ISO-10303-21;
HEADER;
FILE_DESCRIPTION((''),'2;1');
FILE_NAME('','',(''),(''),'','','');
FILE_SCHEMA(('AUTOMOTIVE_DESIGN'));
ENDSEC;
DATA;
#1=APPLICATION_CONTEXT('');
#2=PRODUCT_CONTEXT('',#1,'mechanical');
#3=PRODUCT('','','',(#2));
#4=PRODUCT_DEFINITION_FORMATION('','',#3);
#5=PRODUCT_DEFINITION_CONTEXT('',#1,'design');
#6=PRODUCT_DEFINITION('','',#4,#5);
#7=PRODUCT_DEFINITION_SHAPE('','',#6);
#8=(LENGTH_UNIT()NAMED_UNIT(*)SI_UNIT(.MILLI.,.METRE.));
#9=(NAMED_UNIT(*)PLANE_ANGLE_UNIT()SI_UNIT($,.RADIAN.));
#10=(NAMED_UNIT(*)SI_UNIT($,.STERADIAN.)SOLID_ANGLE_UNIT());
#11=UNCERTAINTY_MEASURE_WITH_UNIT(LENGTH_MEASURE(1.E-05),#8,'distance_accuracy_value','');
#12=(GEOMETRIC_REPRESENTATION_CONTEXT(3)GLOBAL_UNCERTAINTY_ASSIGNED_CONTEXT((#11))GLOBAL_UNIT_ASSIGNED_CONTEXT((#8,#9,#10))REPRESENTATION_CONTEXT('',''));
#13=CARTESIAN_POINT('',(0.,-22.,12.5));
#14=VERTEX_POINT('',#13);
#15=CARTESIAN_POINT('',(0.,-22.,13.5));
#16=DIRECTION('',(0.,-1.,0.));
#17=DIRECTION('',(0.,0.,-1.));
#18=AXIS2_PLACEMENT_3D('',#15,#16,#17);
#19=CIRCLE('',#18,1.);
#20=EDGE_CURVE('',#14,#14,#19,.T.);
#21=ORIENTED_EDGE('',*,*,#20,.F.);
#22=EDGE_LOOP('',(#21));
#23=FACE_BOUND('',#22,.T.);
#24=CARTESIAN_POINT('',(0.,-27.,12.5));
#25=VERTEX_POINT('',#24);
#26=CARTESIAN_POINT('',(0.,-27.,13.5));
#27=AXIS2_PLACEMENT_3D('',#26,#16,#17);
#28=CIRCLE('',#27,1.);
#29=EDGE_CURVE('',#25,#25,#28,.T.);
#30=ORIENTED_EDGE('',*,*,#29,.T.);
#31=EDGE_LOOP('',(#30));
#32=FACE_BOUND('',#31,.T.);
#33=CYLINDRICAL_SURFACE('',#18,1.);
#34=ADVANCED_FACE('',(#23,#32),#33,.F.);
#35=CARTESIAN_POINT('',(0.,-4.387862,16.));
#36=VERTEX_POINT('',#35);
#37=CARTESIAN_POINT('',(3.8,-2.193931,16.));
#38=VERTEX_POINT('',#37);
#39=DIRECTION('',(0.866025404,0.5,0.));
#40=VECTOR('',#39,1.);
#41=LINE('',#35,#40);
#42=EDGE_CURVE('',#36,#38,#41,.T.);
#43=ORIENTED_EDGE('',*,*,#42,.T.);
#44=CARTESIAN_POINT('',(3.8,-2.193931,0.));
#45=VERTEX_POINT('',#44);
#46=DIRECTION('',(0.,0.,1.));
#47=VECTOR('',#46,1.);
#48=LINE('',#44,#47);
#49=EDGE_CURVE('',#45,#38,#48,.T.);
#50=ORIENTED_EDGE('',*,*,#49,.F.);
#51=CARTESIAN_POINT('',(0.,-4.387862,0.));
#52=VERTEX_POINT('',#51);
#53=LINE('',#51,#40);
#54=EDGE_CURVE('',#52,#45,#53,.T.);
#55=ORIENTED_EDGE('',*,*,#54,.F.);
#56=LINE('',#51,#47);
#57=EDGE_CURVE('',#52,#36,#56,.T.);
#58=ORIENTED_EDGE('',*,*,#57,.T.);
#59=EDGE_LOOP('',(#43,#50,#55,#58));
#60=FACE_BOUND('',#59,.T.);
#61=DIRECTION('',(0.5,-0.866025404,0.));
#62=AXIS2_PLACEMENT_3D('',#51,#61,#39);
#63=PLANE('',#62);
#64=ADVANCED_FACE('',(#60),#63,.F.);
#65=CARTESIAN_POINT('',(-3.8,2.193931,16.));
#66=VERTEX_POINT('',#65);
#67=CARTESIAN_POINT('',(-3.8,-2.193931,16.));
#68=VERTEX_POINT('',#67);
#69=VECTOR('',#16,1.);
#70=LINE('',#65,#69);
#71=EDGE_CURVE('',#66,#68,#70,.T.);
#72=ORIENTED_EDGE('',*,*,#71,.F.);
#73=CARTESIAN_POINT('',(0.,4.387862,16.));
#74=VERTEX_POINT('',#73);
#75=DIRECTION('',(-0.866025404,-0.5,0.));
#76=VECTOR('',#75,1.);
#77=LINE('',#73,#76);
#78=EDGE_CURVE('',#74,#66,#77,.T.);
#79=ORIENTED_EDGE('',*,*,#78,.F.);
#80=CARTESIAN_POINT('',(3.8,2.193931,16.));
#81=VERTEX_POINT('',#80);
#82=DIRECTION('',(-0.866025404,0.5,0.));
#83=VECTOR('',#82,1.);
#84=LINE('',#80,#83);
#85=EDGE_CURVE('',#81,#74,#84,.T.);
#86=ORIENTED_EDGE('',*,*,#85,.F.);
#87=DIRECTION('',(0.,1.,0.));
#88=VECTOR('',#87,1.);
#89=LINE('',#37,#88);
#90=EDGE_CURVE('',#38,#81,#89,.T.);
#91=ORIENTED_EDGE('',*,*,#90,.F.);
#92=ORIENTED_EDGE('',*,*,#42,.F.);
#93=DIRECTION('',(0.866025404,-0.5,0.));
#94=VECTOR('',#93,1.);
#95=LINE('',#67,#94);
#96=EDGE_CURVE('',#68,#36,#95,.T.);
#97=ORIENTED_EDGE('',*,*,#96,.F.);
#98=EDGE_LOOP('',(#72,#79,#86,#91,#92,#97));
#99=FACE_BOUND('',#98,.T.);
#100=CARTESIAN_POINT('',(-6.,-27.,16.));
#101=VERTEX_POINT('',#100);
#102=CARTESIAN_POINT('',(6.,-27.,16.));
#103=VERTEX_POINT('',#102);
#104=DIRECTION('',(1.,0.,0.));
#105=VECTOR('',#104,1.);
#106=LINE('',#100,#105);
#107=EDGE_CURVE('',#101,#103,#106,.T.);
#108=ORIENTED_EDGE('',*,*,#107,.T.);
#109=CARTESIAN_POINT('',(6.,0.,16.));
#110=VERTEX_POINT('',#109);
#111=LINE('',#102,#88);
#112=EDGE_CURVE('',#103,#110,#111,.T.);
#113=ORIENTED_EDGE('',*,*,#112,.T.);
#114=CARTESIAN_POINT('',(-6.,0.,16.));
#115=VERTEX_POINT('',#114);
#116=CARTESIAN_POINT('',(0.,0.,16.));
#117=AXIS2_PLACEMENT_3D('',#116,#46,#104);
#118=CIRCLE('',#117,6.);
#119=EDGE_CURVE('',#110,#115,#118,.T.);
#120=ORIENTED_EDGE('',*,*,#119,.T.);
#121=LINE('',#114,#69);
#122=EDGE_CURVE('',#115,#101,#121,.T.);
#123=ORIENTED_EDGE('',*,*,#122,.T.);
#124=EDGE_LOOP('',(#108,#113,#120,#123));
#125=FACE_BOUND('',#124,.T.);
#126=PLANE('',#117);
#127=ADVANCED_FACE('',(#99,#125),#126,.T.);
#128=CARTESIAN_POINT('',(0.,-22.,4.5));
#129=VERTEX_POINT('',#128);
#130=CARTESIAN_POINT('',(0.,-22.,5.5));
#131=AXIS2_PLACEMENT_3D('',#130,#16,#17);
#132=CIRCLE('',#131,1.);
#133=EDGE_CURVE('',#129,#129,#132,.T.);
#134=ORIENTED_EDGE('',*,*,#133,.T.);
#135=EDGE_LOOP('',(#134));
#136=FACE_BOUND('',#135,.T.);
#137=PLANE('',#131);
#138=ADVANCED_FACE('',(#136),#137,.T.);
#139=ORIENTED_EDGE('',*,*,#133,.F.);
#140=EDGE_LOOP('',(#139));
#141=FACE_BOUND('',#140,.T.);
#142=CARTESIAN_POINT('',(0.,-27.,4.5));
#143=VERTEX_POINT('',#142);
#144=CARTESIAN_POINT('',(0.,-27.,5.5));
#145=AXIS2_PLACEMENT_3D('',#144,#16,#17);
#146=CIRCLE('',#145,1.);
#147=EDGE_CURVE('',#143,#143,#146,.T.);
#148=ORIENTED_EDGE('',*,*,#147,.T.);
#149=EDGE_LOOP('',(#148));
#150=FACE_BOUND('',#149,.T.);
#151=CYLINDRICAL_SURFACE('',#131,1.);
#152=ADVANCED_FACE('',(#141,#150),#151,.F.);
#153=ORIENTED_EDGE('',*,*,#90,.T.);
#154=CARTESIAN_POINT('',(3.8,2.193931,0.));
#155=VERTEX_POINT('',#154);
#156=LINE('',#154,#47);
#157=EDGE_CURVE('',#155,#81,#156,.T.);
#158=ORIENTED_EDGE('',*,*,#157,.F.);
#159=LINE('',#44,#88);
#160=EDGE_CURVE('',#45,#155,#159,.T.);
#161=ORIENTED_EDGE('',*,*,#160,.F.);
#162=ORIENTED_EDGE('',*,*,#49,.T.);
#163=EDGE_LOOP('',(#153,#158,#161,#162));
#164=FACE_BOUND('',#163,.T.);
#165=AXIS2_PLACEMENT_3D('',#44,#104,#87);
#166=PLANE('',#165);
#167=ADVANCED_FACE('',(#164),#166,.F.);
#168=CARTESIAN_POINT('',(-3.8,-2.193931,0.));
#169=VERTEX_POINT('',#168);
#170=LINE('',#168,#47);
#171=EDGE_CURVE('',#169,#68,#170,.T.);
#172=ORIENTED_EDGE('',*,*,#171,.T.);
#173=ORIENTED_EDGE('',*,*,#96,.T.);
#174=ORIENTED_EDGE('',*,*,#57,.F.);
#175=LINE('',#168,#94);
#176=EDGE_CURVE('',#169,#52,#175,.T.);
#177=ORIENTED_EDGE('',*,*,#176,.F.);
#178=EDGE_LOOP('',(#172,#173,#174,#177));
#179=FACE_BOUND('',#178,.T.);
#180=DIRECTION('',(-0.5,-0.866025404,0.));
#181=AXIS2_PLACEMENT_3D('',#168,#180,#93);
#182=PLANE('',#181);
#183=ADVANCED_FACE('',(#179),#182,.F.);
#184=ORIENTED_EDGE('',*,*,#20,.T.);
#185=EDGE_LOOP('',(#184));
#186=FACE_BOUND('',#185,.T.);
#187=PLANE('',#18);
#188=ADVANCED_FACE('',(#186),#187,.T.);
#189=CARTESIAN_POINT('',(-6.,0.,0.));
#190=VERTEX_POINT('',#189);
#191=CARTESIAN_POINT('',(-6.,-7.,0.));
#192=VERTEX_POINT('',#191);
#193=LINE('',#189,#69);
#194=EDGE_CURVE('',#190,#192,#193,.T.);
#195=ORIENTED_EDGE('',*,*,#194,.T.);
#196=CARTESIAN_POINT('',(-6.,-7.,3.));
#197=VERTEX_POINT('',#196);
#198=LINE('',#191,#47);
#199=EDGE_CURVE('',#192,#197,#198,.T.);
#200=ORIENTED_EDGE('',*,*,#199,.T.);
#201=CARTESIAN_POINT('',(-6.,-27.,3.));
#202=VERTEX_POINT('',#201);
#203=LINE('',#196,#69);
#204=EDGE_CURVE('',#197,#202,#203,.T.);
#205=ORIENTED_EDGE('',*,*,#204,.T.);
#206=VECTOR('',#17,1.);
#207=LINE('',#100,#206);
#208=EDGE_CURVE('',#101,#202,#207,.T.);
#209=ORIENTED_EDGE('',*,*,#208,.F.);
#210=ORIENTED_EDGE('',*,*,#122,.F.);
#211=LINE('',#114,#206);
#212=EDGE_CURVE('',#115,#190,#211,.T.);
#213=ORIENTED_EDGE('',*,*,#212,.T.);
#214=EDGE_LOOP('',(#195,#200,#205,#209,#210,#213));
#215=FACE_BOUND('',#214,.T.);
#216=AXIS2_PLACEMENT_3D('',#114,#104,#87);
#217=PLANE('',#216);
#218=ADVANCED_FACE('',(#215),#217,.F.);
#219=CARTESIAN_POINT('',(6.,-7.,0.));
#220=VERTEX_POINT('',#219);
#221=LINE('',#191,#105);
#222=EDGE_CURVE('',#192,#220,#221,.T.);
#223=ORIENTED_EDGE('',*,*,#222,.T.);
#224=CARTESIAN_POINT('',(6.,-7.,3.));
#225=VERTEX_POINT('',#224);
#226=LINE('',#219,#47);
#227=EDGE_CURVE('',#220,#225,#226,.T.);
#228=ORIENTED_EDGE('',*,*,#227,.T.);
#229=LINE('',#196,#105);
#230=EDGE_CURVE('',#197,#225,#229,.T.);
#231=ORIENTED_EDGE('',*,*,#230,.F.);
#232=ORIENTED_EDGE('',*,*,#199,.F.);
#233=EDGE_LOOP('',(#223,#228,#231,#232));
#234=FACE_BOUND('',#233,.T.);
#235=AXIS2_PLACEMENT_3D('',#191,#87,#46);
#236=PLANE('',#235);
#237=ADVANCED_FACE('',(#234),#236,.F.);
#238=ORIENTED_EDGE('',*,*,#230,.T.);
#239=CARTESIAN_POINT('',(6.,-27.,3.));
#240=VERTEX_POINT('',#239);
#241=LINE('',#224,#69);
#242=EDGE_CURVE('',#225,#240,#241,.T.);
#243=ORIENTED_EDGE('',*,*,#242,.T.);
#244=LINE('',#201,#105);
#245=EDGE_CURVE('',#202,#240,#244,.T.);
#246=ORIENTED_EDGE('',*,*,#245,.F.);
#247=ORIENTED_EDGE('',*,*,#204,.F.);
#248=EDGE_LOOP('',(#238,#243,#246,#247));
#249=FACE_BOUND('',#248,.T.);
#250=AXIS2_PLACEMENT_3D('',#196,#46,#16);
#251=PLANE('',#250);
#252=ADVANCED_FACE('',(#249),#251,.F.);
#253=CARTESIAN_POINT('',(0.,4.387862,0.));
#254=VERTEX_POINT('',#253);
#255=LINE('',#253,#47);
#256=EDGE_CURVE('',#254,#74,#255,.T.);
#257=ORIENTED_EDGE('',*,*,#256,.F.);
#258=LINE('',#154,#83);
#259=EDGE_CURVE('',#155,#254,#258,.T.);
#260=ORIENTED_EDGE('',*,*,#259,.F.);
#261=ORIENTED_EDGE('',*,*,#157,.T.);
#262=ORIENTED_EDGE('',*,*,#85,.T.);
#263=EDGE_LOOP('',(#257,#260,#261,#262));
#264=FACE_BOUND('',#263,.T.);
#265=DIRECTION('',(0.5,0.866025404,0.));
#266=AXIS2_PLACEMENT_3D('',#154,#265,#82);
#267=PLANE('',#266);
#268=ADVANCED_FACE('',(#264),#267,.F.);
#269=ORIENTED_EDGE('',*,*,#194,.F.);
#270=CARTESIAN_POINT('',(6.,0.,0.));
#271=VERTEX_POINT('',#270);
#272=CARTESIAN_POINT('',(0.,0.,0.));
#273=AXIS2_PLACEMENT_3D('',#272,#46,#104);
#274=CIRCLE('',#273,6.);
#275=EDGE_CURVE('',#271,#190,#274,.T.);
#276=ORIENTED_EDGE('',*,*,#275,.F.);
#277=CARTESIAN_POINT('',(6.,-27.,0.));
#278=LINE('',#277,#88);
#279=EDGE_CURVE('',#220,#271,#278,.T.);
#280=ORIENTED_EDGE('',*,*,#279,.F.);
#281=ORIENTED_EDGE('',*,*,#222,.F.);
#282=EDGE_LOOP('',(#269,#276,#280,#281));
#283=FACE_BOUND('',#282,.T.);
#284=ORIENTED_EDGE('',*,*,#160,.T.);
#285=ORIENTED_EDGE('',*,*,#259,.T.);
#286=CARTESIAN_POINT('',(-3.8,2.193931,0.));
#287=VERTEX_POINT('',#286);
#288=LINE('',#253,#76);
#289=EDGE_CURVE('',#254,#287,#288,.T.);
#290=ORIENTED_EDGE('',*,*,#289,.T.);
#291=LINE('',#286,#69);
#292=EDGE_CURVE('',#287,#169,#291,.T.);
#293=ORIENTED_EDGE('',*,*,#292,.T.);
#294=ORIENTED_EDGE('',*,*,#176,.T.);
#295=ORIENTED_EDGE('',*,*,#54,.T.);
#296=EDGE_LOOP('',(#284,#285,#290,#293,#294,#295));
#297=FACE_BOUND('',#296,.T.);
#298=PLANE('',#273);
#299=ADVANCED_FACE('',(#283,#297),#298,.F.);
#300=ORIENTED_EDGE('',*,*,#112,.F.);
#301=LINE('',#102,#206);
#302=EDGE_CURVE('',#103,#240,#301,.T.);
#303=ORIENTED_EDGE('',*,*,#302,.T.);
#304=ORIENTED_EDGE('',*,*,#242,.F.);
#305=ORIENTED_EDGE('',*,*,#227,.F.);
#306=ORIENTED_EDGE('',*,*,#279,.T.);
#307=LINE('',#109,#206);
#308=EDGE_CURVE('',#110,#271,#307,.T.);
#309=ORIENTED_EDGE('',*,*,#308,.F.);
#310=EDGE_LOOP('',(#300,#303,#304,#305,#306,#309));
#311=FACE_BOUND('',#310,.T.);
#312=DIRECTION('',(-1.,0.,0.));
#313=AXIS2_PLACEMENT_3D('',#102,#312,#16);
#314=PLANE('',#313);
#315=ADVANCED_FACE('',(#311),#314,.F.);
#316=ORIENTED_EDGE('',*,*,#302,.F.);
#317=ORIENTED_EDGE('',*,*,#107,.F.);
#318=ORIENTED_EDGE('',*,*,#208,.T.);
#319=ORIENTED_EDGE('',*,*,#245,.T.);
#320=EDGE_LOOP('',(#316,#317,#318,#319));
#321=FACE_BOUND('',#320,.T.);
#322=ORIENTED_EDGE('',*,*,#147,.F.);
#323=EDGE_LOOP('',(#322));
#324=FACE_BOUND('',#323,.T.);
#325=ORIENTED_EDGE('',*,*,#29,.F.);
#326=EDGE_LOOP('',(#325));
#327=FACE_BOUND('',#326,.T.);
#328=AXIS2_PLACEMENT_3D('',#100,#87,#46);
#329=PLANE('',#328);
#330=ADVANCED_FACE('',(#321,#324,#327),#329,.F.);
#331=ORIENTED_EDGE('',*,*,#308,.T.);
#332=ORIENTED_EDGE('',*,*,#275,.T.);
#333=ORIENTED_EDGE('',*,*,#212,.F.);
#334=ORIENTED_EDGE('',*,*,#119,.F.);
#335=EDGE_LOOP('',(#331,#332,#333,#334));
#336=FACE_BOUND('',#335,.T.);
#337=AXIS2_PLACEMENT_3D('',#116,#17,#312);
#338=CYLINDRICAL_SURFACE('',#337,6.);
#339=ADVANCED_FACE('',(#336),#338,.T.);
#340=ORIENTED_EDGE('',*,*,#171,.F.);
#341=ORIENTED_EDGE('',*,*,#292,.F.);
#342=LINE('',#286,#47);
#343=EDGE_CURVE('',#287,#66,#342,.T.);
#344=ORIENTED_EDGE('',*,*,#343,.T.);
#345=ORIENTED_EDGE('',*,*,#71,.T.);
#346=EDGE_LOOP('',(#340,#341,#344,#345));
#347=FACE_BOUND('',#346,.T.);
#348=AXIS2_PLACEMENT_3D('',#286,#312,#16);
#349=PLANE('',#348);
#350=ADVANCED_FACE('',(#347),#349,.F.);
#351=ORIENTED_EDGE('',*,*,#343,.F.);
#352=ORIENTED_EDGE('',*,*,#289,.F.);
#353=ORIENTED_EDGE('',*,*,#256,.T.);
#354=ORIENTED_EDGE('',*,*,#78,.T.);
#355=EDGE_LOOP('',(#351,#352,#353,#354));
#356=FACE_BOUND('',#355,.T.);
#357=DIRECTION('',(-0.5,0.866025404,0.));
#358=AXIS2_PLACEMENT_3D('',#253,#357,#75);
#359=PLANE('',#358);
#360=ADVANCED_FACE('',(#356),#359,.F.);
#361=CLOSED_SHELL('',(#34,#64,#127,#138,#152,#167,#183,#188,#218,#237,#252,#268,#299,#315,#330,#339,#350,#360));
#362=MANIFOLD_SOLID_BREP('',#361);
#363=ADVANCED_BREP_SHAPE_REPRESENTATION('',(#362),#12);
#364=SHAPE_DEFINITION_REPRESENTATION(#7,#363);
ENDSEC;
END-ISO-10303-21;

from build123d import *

# Parameters (mm, degrees)
RESSALTO_EXTRUS_O1_DEPTH = 16
CORTE_EXTRUS_O1_DEPTH    = 32.953090617
ESBO_O8_W                = 3
ESBO_O8_H                = 20
CORTE_EXTRUS_O4_DEPTH    = 34.600595233
ESBO_O5_R                = 1
CORTE_EXTRUS_O2_DEPTH    = 5


with BuildPart() as part:
    # Esboço1 → Ressalto-extrusão1 (new body)
    with BuildSketch(Plane.XY):
        with BuildLine():
            Line((-6, 0), (-6, -27))
            Line((-6, -27), (6, -27))
            Line((6, -27), (6, 0))
            ThreePointArc((6, 0), (0, 6), (-6, 0))
        make_face()
    extrude(amount=RESSALTO_EXTRUS_O1_DEPTH)

    # Esboço2 → Corte-extrusão1 (cut, through all)
    with BuildSketch(Plane.XY.offset(16)):
        Polygon((0, 4.387862046), (-3.8, 2.193931023), (-3.8, -2.193931023), (0, -4.387862046), (3.8, -2.193931023), (3.8, 2.193931023), align=None)
    extrude(amount=-CORTE_EXTRUS_O1_DEPTH, mode=Mode.SUBTRACT)

    # Esboço8 → Corte-extrusão4 (cut, through all)
    with BuildSketch(Plane(origin=(6, 0, 0), x_dir=(0, 0, -1), z_dir=(1, 0, 0))):
        with Locations((-1.5, -17)):
            Rectangle(ESBO_O8_W, ESBO_O8_H)
    extrude(amount=-CORTE_EXTRUS_O4_DEPTH, mode=Mode.SUBTRACT)

    # Esboço5 → Corte-extrusão2 (cut)
    with BuildSketch(Plane.XZ.offset(27)):
        with Locations(Location((0, 13.5, 0), (0, 0, 270))):
            Circle(ESBO_O5_R)
        with Locations(Location((0, 5.5, 0), (0, 0, 270))):
            Circle(ESBO_O5_R)
    extrude(amount=-CORTE_EXTRUS_O2_DEPTH, mode=Mode.SUBTRACT)


solid = part.part
